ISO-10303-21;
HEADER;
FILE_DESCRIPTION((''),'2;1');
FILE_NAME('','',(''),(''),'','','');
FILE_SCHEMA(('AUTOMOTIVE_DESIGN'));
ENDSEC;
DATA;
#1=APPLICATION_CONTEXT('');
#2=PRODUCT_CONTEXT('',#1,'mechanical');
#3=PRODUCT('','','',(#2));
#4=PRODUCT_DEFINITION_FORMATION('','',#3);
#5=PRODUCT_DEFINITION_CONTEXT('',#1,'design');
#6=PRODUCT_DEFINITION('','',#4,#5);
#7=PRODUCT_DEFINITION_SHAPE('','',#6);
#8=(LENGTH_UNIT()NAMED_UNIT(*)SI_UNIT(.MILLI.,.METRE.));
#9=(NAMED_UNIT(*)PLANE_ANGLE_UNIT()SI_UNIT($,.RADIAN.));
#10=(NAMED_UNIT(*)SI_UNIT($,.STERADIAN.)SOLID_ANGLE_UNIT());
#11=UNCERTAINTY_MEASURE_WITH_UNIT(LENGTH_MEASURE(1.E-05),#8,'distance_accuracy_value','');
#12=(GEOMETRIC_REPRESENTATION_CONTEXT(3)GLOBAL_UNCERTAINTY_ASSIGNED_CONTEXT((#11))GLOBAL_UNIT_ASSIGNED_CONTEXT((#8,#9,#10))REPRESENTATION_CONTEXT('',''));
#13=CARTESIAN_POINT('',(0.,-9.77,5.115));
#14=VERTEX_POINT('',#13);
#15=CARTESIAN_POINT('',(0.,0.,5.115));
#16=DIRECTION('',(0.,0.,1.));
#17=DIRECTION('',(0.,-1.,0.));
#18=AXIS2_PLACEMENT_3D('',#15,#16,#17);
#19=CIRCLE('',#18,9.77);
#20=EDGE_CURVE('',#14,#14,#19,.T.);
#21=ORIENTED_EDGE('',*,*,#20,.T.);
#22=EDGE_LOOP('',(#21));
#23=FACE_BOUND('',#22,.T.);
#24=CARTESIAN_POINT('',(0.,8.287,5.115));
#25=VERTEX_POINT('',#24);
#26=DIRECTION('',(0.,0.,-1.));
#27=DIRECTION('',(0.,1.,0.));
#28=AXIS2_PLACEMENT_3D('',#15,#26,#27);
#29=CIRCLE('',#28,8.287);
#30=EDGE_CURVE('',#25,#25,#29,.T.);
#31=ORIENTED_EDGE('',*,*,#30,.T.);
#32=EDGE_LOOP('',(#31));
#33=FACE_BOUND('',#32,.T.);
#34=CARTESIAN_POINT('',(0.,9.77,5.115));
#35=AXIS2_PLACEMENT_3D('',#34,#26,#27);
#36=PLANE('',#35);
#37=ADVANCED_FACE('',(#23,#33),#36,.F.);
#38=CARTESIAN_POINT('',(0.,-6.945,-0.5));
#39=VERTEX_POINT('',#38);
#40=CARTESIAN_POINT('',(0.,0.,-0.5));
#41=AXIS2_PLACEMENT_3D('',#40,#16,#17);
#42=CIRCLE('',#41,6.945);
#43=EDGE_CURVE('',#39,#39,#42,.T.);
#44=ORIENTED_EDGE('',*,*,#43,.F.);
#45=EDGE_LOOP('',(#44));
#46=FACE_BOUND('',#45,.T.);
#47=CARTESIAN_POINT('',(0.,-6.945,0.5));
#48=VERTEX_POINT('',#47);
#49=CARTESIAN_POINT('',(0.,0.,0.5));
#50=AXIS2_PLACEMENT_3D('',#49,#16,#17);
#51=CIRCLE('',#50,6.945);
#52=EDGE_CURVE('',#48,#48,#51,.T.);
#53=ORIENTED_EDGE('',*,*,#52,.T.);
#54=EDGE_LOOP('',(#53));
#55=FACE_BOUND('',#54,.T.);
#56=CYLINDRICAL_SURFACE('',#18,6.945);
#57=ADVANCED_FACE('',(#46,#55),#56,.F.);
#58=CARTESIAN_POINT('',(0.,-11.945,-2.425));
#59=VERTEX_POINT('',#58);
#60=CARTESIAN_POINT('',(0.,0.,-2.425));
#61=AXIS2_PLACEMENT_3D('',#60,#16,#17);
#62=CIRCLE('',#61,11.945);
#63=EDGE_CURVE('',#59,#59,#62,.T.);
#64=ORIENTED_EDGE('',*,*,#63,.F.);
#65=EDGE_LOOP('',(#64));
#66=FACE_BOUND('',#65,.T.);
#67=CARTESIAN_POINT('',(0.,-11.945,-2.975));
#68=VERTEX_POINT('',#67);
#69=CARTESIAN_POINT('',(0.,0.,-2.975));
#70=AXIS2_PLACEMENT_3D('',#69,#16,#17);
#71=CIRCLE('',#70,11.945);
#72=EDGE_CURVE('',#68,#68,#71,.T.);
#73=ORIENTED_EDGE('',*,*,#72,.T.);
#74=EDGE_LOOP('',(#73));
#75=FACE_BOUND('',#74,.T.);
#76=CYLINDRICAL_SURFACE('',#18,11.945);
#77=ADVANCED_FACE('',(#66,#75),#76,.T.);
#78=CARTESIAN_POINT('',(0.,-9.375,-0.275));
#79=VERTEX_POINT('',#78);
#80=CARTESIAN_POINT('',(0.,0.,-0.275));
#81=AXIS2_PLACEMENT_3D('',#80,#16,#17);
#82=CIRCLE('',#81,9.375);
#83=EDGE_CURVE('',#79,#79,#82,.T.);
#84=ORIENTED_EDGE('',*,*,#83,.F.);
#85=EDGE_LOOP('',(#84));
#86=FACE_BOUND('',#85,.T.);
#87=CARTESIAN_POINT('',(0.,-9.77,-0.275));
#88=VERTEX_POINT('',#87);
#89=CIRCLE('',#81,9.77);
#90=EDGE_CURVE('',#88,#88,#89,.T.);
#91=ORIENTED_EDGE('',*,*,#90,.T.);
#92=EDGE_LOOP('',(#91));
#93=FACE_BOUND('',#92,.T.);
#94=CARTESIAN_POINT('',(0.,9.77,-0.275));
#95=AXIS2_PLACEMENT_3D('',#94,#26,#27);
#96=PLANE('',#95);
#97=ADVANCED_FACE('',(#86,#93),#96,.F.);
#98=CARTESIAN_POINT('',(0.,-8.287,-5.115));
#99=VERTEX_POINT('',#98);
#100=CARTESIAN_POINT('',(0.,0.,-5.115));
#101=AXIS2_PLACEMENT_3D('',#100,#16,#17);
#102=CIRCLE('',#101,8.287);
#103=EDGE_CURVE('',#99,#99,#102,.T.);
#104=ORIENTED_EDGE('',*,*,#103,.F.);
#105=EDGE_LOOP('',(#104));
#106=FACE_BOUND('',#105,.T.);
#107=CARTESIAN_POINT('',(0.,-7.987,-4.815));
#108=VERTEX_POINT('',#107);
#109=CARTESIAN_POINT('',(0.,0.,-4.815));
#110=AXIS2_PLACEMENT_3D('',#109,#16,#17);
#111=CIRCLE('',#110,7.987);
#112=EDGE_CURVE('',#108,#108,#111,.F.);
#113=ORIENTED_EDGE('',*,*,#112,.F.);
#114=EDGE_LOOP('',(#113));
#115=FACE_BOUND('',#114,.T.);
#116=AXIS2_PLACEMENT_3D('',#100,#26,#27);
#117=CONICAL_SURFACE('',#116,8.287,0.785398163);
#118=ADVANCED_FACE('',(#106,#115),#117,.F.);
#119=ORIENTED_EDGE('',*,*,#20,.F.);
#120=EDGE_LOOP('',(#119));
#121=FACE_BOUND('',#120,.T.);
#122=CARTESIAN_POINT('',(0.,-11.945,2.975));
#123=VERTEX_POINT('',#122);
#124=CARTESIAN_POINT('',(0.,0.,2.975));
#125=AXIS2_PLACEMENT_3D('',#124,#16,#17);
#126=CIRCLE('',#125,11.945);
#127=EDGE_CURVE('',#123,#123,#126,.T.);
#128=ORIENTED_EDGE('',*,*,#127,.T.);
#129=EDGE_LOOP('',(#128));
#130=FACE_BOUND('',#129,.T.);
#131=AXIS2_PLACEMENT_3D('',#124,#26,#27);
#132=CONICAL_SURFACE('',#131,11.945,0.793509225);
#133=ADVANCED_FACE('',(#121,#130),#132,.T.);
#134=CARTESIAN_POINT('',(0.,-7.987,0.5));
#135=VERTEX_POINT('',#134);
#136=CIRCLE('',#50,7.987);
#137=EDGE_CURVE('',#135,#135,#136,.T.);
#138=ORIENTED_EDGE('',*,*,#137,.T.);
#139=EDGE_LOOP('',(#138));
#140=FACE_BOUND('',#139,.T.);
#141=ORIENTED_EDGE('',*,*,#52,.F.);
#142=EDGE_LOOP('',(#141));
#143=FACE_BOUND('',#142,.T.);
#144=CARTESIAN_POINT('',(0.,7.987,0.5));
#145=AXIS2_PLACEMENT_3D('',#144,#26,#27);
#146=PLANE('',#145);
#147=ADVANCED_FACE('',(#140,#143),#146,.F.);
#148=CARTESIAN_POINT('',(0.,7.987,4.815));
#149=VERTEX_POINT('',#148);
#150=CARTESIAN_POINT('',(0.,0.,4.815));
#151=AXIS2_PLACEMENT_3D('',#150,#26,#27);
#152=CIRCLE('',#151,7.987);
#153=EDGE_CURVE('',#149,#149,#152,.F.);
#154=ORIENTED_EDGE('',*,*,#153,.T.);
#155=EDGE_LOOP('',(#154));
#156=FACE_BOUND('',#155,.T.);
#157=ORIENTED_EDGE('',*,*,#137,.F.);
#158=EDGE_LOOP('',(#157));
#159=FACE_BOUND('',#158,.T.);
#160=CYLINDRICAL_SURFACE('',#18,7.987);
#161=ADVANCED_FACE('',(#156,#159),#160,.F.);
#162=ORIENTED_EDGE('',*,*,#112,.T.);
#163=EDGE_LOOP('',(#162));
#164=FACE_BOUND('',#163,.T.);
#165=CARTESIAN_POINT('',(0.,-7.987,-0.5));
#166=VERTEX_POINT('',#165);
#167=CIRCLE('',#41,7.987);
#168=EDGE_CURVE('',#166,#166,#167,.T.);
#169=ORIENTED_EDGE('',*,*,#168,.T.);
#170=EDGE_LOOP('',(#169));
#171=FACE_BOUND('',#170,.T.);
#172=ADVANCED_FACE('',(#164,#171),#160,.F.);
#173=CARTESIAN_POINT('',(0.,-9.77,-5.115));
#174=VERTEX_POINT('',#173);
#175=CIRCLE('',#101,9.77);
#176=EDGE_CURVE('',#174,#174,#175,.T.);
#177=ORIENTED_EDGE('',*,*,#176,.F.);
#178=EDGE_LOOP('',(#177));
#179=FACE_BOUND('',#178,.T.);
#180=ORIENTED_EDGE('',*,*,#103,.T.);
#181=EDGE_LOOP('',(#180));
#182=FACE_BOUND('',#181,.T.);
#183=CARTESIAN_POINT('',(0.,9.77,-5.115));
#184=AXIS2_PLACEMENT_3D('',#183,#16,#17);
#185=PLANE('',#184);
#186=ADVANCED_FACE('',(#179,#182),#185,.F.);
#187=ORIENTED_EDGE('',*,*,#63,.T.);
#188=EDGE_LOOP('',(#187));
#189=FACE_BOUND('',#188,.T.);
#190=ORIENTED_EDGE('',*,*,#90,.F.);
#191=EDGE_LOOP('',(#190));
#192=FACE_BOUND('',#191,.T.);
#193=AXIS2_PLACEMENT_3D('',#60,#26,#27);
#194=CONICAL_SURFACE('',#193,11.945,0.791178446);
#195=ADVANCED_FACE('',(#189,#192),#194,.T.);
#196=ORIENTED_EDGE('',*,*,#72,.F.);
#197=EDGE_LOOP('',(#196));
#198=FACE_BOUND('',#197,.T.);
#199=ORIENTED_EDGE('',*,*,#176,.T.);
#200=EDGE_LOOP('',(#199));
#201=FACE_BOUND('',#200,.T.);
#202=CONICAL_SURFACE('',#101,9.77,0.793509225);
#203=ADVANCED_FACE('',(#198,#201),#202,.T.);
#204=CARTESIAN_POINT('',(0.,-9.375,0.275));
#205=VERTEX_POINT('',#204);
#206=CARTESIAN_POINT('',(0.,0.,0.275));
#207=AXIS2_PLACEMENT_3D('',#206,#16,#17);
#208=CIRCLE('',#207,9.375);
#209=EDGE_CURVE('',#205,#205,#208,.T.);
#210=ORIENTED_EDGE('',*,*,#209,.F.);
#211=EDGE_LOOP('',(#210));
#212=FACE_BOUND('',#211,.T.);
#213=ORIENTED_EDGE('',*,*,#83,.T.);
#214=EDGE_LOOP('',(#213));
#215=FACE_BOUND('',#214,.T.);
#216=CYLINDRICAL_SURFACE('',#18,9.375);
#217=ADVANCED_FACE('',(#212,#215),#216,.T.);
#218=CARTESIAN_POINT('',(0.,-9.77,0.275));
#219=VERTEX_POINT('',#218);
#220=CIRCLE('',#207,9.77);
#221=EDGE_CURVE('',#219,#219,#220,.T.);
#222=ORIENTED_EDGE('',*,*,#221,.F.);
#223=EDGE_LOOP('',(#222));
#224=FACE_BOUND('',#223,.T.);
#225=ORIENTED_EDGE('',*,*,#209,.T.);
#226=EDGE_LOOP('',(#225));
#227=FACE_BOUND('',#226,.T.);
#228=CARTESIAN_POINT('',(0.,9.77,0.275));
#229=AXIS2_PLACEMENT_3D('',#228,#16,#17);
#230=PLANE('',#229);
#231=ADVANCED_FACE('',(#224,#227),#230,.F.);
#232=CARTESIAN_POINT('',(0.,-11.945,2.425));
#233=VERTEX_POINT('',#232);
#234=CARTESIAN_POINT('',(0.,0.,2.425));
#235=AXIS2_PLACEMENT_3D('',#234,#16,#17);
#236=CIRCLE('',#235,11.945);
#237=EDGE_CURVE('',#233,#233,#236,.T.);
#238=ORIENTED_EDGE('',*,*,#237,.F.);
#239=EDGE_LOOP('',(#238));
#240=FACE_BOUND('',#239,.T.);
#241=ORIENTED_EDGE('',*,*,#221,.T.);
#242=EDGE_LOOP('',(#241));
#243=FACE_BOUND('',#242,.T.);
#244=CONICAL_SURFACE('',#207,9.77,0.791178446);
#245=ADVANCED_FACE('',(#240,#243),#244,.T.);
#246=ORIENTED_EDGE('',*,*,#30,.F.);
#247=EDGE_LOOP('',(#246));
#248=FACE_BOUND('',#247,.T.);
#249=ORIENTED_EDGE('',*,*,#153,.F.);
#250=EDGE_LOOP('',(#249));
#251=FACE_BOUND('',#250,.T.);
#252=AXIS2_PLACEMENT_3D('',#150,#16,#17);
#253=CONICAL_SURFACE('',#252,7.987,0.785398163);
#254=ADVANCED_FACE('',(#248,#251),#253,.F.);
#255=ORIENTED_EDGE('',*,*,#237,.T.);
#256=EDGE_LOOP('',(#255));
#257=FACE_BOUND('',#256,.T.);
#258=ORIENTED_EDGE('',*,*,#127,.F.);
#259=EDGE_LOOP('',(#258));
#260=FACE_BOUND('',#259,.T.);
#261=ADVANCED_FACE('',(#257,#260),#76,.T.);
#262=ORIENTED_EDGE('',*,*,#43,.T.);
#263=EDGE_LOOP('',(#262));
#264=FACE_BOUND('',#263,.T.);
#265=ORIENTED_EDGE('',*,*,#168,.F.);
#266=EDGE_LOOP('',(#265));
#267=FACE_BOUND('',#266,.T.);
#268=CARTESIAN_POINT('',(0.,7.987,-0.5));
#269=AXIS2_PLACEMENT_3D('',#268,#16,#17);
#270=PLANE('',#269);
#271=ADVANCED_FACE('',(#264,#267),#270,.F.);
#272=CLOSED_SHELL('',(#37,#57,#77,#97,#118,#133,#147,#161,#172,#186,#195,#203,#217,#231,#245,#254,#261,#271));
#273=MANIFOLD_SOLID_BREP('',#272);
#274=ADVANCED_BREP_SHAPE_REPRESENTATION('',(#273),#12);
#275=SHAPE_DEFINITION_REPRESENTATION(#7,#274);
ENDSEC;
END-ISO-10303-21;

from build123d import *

# Parameters (mm, degrees)
CHAMFER1_SIZE = 0.3


with BuildPart() as part:
    # Sketch1 → Revolve1 (revolve)
    with BuildSketch(Plane(origin=(0, 0, 0), x_dir=(0, 0, -1), z_dir=(1, 0, 0))):
        Polygon((-2.975, 11.945), (-2.425, 11.945), (-0.275, 9.77), (-0.275, 9.375), (0.275, 9.375), (0.275, 9.77), (2.425, 11.945), (2.975, 11.945), (5.115, 9.77), (5.115, 7.987), (0.5, 7.987), (0.5, 6.945), (-0.5, 6.945), (-0.5, 7.987), (-5.115, 7.987), (-5.115, 9.77), align=None)
    revolve(axis=Axis((0, 0, 5.115), (0, 0, -1)))

    # Chamfer1
    chamfer1_edges = [part.edges().sort_by_distance(p)[0] for p in [
        (0, -7.987, -5.115),
        (0, -7.987, 5.115),
    ]]
    chamfer(chamfer1_edges, length=CHAMFER1_SIZE)


solid = part.part
